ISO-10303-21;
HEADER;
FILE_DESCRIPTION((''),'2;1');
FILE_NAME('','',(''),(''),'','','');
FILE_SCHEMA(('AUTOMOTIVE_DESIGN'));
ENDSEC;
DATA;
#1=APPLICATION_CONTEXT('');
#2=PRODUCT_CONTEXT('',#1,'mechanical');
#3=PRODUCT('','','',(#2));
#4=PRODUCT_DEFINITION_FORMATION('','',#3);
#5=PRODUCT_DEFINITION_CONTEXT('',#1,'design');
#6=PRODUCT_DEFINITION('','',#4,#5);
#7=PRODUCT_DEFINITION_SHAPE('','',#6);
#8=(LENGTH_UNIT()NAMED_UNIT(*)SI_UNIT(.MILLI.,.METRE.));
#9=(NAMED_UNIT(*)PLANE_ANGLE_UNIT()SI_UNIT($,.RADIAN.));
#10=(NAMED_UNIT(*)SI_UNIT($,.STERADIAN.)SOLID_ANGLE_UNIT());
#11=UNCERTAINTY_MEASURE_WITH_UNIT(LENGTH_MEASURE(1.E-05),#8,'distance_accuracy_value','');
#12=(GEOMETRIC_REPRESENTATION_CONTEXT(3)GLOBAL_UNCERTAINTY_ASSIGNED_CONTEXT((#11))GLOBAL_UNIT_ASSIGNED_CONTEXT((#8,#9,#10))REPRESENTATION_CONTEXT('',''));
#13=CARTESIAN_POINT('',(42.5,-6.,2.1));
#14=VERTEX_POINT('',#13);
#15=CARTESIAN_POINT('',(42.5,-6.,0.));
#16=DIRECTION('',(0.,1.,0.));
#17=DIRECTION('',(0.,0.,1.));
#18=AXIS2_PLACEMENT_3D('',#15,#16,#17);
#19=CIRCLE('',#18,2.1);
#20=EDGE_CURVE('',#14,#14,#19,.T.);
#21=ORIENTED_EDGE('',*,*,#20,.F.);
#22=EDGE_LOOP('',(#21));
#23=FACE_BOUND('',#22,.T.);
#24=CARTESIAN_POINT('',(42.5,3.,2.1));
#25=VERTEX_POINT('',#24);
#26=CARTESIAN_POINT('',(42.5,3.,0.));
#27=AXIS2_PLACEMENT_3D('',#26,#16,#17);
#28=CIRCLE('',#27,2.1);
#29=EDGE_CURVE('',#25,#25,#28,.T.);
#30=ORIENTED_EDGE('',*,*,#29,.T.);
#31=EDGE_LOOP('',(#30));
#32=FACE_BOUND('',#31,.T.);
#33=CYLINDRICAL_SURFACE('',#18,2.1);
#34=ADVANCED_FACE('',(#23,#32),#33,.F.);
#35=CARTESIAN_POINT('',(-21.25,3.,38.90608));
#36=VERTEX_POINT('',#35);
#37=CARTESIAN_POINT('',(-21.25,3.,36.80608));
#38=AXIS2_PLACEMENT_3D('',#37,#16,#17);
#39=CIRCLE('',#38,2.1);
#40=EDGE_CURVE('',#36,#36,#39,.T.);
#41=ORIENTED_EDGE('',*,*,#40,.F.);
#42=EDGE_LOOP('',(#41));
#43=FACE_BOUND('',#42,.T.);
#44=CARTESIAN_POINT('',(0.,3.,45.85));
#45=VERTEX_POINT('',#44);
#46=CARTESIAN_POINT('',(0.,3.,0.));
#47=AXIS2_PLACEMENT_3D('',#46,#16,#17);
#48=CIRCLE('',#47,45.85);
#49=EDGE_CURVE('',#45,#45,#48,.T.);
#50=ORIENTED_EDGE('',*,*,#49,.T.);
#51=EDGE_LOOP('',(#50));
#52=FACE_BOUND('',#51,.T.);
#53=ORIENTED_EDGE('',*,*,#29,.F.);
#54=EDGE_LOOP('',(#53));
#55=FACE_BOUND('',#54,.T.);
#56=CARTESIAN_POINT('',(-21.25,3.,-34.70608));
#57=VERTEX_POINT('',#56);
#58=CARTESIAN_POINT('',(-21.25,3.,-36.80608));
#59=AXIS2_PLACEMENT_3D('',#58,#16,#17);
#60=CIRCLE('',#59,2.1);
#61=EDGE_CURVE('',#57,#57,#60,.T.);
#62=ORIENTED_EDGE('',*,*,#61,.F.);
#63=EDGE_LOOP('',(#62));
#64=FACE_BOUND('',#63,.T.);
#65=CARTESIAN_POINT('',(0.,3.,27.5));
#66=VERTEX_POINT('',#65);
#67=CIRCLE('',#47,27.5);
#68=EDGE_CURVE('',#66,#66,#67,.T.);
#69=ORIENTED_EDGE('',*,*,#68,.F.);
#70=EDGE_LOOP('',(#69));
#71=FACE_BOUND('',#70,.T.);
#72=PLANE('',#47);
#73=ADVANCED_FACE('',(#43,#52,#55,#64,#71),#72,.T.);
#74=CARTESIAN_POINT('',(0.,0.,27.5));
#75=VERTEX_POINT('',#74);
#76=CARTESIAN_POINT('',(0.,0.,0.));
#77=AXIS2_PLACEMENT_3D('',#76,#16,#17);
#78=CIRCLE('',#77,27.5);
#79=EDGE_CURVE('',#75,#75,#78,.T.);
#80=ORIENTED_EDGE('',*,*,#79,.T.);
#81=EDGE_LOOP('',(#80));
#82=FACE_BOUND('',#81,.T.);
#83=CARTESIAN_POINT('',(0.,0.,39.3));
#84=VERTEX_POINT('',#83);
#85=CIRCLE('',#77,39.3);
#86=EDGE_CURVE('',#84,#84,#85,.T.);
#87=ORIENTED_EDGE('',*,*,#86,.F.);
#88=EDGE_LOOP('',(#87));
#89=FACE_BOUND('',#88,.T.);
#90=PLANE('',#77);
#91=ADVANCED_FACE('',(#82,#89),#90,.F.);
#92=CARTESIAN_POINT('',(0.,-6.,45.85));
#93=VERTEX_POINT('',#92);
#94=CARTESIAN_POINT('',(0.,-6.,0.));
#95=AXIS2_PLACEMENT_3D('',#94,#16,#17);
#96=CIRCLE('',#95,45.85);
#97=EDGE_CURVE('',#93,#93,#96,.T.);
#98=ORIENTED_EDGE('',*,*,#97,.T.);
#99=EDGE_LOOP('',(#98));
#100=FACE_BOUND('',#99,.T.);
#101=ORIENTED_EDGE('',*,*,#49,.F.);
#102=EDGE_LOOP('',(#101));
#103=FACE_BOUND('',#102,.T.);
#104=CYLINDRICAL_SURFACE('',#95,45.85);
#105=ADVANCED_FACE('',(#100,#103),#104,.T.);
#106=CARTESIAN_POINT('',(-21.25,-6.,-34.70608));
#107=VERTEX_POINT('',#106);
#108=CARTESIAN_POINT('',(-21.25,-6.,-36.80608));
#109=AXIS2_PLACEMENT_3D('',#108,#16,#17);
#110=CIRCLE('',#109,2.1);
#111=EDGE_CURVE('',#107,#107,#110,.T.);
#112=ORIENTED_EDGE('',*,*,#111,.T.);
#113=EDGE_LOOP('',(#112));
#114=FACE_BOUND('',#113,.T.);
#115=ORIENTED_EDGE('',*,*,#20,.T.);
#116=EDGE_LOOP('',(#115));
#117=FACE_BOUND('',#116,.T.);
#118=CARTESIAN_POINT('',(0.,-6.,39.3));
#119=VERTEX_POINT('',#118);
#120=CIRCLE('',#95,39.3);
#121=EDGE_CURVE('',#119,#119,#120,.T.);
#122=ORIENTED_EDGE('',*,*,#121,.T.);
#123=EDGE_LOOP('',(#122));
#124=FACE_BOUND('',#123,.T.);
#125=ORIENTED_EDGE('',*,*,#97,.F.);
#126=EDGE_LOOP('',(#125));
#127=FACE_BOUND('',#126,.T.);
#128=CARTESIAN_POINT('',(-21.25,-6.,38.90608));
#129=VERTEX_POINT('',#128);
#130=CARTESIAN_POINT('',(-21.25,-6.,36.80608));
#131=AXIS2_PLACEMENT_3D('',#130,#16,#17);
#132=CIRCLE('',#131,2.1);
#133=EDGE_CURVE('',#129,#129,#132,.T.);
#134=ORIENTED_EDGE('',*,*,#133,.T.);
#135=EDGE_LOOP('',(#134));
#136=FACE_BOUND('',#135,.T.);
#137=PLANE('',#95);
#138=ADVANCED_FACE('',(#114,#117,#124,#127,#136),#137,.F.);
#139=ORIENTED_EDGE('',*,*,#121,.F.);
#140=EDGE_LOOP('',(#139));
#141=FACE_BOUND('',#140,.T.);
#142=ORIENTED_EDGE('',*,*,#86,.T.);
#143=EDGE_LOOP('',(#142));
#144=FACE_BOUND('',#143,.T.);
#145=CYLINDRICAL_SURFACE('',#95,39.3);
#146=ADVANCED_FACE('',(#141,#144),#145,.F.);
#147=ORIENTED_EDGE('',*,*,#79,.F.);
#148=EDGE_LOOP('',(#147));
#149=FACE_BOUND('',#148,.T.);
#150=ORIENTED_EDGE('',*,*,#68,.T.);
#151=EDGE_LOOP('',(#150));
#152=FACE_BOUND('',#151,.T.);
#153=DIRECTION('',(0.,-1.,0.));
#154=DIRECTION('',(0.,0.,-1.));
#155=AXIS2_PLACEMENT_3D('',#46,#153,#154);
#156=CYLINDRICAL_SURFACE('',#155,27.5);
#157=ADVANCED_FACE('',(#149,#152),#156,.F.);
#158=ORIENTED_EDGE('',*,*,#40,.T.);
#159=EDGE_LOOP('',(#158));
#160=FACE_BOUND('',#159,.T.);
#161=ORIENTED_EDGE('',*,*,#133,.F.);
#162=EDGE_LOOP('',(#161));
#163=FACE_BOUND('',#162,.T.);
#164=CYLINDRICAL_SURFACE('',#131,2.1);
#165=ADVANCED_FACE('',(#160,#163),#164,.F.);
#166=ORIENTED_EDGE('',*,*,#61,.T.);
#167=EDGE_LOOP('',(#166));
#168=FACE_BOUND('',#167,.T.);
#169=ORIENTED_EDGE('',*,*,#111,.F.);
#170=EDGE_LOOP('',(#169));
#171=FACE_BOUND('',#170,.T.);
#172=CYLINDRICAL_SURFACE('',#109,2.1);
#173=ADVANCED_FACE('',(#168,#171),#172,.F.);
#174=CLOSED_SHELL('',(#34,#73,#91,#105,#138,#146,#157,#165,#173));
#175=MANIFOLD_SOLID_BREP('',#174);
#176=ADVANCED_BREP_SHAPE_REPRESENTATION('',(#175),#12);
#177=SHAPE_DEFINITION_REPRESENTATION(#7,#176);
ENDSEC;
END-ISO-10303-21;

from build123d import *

# Parameters (mm, degrees)
SKETCH1_R           = 45.85
SKETCH1_R_2         = 2.1
SKETCH1_R_3         = 39.3
BOSS_EXTRUDE1_DEPTH = 6
BOSS_EXTRUDE2_START = 3
SKETCH1_4_R         = 45.85
SKETCH1_4_R_2       = 2.1
SKETCH1_4_R_3       = 27.5
BOSS_EXTRUDE2_DEPTH = 3


with BuildPart() as part:
    # Sketch1 → Boss-Extrude1 (new body)
    with BuildSketch(Plane(origin=(0, 0, 0), x_dir=(1, 0, 0), z_dir=(0, 1, 0))):
        Circle(SKETCH1_R)
        with Locations((-21.25, -36.806079661)):
            Circle(SKETCH1_R_2, mode=Mode.SUBTRACT)
        with Locations((-21.25, 36.806079661)):
            Circle(SKETCH1_R_2, mode=Mode.SUBTRACT)
        Circle(SKETCH1_R_3, mode=Mode.SUBTRACT)
        with Locations((42.5, 0)):
            Circle(SKETCH1_R_2, mode=Mode.SUBTRACT)
    extrude(amount=-BOSS_EXTRUDE1_DEPTH)

    # Sketch1<4> → Boss-Extrude2 (add)
    with BuildSketch(Plane(origin=(0, 0, 0), x_dir=(1, 0, 0), z_dir=(0, 1, 0)).offset(BOSS_EXTRUDE2_START)):
        Circle(SKETCH1_4_R)
        with Locations((-21.25, -36.806079661)):
            Circle(SKETCH1_4_R_2, mode=Mode.SUBTRACT)
        with Locations((-21.25, 36.806079661)):
            Circle(SKETCH1_4_R_2, mode=Mode.SUBTRACT)
        with Locations((42.5, 0)):
            Circle(SKETCH1_4_R_2, mode=Mode.SUBTRACT)
        Circle(SKETCH1_4_R_3, mode=Mode.SUBTRACT)
    extrude(amount=-BOSS_EXTRUDE2_DEPTH)


solid = part.part
